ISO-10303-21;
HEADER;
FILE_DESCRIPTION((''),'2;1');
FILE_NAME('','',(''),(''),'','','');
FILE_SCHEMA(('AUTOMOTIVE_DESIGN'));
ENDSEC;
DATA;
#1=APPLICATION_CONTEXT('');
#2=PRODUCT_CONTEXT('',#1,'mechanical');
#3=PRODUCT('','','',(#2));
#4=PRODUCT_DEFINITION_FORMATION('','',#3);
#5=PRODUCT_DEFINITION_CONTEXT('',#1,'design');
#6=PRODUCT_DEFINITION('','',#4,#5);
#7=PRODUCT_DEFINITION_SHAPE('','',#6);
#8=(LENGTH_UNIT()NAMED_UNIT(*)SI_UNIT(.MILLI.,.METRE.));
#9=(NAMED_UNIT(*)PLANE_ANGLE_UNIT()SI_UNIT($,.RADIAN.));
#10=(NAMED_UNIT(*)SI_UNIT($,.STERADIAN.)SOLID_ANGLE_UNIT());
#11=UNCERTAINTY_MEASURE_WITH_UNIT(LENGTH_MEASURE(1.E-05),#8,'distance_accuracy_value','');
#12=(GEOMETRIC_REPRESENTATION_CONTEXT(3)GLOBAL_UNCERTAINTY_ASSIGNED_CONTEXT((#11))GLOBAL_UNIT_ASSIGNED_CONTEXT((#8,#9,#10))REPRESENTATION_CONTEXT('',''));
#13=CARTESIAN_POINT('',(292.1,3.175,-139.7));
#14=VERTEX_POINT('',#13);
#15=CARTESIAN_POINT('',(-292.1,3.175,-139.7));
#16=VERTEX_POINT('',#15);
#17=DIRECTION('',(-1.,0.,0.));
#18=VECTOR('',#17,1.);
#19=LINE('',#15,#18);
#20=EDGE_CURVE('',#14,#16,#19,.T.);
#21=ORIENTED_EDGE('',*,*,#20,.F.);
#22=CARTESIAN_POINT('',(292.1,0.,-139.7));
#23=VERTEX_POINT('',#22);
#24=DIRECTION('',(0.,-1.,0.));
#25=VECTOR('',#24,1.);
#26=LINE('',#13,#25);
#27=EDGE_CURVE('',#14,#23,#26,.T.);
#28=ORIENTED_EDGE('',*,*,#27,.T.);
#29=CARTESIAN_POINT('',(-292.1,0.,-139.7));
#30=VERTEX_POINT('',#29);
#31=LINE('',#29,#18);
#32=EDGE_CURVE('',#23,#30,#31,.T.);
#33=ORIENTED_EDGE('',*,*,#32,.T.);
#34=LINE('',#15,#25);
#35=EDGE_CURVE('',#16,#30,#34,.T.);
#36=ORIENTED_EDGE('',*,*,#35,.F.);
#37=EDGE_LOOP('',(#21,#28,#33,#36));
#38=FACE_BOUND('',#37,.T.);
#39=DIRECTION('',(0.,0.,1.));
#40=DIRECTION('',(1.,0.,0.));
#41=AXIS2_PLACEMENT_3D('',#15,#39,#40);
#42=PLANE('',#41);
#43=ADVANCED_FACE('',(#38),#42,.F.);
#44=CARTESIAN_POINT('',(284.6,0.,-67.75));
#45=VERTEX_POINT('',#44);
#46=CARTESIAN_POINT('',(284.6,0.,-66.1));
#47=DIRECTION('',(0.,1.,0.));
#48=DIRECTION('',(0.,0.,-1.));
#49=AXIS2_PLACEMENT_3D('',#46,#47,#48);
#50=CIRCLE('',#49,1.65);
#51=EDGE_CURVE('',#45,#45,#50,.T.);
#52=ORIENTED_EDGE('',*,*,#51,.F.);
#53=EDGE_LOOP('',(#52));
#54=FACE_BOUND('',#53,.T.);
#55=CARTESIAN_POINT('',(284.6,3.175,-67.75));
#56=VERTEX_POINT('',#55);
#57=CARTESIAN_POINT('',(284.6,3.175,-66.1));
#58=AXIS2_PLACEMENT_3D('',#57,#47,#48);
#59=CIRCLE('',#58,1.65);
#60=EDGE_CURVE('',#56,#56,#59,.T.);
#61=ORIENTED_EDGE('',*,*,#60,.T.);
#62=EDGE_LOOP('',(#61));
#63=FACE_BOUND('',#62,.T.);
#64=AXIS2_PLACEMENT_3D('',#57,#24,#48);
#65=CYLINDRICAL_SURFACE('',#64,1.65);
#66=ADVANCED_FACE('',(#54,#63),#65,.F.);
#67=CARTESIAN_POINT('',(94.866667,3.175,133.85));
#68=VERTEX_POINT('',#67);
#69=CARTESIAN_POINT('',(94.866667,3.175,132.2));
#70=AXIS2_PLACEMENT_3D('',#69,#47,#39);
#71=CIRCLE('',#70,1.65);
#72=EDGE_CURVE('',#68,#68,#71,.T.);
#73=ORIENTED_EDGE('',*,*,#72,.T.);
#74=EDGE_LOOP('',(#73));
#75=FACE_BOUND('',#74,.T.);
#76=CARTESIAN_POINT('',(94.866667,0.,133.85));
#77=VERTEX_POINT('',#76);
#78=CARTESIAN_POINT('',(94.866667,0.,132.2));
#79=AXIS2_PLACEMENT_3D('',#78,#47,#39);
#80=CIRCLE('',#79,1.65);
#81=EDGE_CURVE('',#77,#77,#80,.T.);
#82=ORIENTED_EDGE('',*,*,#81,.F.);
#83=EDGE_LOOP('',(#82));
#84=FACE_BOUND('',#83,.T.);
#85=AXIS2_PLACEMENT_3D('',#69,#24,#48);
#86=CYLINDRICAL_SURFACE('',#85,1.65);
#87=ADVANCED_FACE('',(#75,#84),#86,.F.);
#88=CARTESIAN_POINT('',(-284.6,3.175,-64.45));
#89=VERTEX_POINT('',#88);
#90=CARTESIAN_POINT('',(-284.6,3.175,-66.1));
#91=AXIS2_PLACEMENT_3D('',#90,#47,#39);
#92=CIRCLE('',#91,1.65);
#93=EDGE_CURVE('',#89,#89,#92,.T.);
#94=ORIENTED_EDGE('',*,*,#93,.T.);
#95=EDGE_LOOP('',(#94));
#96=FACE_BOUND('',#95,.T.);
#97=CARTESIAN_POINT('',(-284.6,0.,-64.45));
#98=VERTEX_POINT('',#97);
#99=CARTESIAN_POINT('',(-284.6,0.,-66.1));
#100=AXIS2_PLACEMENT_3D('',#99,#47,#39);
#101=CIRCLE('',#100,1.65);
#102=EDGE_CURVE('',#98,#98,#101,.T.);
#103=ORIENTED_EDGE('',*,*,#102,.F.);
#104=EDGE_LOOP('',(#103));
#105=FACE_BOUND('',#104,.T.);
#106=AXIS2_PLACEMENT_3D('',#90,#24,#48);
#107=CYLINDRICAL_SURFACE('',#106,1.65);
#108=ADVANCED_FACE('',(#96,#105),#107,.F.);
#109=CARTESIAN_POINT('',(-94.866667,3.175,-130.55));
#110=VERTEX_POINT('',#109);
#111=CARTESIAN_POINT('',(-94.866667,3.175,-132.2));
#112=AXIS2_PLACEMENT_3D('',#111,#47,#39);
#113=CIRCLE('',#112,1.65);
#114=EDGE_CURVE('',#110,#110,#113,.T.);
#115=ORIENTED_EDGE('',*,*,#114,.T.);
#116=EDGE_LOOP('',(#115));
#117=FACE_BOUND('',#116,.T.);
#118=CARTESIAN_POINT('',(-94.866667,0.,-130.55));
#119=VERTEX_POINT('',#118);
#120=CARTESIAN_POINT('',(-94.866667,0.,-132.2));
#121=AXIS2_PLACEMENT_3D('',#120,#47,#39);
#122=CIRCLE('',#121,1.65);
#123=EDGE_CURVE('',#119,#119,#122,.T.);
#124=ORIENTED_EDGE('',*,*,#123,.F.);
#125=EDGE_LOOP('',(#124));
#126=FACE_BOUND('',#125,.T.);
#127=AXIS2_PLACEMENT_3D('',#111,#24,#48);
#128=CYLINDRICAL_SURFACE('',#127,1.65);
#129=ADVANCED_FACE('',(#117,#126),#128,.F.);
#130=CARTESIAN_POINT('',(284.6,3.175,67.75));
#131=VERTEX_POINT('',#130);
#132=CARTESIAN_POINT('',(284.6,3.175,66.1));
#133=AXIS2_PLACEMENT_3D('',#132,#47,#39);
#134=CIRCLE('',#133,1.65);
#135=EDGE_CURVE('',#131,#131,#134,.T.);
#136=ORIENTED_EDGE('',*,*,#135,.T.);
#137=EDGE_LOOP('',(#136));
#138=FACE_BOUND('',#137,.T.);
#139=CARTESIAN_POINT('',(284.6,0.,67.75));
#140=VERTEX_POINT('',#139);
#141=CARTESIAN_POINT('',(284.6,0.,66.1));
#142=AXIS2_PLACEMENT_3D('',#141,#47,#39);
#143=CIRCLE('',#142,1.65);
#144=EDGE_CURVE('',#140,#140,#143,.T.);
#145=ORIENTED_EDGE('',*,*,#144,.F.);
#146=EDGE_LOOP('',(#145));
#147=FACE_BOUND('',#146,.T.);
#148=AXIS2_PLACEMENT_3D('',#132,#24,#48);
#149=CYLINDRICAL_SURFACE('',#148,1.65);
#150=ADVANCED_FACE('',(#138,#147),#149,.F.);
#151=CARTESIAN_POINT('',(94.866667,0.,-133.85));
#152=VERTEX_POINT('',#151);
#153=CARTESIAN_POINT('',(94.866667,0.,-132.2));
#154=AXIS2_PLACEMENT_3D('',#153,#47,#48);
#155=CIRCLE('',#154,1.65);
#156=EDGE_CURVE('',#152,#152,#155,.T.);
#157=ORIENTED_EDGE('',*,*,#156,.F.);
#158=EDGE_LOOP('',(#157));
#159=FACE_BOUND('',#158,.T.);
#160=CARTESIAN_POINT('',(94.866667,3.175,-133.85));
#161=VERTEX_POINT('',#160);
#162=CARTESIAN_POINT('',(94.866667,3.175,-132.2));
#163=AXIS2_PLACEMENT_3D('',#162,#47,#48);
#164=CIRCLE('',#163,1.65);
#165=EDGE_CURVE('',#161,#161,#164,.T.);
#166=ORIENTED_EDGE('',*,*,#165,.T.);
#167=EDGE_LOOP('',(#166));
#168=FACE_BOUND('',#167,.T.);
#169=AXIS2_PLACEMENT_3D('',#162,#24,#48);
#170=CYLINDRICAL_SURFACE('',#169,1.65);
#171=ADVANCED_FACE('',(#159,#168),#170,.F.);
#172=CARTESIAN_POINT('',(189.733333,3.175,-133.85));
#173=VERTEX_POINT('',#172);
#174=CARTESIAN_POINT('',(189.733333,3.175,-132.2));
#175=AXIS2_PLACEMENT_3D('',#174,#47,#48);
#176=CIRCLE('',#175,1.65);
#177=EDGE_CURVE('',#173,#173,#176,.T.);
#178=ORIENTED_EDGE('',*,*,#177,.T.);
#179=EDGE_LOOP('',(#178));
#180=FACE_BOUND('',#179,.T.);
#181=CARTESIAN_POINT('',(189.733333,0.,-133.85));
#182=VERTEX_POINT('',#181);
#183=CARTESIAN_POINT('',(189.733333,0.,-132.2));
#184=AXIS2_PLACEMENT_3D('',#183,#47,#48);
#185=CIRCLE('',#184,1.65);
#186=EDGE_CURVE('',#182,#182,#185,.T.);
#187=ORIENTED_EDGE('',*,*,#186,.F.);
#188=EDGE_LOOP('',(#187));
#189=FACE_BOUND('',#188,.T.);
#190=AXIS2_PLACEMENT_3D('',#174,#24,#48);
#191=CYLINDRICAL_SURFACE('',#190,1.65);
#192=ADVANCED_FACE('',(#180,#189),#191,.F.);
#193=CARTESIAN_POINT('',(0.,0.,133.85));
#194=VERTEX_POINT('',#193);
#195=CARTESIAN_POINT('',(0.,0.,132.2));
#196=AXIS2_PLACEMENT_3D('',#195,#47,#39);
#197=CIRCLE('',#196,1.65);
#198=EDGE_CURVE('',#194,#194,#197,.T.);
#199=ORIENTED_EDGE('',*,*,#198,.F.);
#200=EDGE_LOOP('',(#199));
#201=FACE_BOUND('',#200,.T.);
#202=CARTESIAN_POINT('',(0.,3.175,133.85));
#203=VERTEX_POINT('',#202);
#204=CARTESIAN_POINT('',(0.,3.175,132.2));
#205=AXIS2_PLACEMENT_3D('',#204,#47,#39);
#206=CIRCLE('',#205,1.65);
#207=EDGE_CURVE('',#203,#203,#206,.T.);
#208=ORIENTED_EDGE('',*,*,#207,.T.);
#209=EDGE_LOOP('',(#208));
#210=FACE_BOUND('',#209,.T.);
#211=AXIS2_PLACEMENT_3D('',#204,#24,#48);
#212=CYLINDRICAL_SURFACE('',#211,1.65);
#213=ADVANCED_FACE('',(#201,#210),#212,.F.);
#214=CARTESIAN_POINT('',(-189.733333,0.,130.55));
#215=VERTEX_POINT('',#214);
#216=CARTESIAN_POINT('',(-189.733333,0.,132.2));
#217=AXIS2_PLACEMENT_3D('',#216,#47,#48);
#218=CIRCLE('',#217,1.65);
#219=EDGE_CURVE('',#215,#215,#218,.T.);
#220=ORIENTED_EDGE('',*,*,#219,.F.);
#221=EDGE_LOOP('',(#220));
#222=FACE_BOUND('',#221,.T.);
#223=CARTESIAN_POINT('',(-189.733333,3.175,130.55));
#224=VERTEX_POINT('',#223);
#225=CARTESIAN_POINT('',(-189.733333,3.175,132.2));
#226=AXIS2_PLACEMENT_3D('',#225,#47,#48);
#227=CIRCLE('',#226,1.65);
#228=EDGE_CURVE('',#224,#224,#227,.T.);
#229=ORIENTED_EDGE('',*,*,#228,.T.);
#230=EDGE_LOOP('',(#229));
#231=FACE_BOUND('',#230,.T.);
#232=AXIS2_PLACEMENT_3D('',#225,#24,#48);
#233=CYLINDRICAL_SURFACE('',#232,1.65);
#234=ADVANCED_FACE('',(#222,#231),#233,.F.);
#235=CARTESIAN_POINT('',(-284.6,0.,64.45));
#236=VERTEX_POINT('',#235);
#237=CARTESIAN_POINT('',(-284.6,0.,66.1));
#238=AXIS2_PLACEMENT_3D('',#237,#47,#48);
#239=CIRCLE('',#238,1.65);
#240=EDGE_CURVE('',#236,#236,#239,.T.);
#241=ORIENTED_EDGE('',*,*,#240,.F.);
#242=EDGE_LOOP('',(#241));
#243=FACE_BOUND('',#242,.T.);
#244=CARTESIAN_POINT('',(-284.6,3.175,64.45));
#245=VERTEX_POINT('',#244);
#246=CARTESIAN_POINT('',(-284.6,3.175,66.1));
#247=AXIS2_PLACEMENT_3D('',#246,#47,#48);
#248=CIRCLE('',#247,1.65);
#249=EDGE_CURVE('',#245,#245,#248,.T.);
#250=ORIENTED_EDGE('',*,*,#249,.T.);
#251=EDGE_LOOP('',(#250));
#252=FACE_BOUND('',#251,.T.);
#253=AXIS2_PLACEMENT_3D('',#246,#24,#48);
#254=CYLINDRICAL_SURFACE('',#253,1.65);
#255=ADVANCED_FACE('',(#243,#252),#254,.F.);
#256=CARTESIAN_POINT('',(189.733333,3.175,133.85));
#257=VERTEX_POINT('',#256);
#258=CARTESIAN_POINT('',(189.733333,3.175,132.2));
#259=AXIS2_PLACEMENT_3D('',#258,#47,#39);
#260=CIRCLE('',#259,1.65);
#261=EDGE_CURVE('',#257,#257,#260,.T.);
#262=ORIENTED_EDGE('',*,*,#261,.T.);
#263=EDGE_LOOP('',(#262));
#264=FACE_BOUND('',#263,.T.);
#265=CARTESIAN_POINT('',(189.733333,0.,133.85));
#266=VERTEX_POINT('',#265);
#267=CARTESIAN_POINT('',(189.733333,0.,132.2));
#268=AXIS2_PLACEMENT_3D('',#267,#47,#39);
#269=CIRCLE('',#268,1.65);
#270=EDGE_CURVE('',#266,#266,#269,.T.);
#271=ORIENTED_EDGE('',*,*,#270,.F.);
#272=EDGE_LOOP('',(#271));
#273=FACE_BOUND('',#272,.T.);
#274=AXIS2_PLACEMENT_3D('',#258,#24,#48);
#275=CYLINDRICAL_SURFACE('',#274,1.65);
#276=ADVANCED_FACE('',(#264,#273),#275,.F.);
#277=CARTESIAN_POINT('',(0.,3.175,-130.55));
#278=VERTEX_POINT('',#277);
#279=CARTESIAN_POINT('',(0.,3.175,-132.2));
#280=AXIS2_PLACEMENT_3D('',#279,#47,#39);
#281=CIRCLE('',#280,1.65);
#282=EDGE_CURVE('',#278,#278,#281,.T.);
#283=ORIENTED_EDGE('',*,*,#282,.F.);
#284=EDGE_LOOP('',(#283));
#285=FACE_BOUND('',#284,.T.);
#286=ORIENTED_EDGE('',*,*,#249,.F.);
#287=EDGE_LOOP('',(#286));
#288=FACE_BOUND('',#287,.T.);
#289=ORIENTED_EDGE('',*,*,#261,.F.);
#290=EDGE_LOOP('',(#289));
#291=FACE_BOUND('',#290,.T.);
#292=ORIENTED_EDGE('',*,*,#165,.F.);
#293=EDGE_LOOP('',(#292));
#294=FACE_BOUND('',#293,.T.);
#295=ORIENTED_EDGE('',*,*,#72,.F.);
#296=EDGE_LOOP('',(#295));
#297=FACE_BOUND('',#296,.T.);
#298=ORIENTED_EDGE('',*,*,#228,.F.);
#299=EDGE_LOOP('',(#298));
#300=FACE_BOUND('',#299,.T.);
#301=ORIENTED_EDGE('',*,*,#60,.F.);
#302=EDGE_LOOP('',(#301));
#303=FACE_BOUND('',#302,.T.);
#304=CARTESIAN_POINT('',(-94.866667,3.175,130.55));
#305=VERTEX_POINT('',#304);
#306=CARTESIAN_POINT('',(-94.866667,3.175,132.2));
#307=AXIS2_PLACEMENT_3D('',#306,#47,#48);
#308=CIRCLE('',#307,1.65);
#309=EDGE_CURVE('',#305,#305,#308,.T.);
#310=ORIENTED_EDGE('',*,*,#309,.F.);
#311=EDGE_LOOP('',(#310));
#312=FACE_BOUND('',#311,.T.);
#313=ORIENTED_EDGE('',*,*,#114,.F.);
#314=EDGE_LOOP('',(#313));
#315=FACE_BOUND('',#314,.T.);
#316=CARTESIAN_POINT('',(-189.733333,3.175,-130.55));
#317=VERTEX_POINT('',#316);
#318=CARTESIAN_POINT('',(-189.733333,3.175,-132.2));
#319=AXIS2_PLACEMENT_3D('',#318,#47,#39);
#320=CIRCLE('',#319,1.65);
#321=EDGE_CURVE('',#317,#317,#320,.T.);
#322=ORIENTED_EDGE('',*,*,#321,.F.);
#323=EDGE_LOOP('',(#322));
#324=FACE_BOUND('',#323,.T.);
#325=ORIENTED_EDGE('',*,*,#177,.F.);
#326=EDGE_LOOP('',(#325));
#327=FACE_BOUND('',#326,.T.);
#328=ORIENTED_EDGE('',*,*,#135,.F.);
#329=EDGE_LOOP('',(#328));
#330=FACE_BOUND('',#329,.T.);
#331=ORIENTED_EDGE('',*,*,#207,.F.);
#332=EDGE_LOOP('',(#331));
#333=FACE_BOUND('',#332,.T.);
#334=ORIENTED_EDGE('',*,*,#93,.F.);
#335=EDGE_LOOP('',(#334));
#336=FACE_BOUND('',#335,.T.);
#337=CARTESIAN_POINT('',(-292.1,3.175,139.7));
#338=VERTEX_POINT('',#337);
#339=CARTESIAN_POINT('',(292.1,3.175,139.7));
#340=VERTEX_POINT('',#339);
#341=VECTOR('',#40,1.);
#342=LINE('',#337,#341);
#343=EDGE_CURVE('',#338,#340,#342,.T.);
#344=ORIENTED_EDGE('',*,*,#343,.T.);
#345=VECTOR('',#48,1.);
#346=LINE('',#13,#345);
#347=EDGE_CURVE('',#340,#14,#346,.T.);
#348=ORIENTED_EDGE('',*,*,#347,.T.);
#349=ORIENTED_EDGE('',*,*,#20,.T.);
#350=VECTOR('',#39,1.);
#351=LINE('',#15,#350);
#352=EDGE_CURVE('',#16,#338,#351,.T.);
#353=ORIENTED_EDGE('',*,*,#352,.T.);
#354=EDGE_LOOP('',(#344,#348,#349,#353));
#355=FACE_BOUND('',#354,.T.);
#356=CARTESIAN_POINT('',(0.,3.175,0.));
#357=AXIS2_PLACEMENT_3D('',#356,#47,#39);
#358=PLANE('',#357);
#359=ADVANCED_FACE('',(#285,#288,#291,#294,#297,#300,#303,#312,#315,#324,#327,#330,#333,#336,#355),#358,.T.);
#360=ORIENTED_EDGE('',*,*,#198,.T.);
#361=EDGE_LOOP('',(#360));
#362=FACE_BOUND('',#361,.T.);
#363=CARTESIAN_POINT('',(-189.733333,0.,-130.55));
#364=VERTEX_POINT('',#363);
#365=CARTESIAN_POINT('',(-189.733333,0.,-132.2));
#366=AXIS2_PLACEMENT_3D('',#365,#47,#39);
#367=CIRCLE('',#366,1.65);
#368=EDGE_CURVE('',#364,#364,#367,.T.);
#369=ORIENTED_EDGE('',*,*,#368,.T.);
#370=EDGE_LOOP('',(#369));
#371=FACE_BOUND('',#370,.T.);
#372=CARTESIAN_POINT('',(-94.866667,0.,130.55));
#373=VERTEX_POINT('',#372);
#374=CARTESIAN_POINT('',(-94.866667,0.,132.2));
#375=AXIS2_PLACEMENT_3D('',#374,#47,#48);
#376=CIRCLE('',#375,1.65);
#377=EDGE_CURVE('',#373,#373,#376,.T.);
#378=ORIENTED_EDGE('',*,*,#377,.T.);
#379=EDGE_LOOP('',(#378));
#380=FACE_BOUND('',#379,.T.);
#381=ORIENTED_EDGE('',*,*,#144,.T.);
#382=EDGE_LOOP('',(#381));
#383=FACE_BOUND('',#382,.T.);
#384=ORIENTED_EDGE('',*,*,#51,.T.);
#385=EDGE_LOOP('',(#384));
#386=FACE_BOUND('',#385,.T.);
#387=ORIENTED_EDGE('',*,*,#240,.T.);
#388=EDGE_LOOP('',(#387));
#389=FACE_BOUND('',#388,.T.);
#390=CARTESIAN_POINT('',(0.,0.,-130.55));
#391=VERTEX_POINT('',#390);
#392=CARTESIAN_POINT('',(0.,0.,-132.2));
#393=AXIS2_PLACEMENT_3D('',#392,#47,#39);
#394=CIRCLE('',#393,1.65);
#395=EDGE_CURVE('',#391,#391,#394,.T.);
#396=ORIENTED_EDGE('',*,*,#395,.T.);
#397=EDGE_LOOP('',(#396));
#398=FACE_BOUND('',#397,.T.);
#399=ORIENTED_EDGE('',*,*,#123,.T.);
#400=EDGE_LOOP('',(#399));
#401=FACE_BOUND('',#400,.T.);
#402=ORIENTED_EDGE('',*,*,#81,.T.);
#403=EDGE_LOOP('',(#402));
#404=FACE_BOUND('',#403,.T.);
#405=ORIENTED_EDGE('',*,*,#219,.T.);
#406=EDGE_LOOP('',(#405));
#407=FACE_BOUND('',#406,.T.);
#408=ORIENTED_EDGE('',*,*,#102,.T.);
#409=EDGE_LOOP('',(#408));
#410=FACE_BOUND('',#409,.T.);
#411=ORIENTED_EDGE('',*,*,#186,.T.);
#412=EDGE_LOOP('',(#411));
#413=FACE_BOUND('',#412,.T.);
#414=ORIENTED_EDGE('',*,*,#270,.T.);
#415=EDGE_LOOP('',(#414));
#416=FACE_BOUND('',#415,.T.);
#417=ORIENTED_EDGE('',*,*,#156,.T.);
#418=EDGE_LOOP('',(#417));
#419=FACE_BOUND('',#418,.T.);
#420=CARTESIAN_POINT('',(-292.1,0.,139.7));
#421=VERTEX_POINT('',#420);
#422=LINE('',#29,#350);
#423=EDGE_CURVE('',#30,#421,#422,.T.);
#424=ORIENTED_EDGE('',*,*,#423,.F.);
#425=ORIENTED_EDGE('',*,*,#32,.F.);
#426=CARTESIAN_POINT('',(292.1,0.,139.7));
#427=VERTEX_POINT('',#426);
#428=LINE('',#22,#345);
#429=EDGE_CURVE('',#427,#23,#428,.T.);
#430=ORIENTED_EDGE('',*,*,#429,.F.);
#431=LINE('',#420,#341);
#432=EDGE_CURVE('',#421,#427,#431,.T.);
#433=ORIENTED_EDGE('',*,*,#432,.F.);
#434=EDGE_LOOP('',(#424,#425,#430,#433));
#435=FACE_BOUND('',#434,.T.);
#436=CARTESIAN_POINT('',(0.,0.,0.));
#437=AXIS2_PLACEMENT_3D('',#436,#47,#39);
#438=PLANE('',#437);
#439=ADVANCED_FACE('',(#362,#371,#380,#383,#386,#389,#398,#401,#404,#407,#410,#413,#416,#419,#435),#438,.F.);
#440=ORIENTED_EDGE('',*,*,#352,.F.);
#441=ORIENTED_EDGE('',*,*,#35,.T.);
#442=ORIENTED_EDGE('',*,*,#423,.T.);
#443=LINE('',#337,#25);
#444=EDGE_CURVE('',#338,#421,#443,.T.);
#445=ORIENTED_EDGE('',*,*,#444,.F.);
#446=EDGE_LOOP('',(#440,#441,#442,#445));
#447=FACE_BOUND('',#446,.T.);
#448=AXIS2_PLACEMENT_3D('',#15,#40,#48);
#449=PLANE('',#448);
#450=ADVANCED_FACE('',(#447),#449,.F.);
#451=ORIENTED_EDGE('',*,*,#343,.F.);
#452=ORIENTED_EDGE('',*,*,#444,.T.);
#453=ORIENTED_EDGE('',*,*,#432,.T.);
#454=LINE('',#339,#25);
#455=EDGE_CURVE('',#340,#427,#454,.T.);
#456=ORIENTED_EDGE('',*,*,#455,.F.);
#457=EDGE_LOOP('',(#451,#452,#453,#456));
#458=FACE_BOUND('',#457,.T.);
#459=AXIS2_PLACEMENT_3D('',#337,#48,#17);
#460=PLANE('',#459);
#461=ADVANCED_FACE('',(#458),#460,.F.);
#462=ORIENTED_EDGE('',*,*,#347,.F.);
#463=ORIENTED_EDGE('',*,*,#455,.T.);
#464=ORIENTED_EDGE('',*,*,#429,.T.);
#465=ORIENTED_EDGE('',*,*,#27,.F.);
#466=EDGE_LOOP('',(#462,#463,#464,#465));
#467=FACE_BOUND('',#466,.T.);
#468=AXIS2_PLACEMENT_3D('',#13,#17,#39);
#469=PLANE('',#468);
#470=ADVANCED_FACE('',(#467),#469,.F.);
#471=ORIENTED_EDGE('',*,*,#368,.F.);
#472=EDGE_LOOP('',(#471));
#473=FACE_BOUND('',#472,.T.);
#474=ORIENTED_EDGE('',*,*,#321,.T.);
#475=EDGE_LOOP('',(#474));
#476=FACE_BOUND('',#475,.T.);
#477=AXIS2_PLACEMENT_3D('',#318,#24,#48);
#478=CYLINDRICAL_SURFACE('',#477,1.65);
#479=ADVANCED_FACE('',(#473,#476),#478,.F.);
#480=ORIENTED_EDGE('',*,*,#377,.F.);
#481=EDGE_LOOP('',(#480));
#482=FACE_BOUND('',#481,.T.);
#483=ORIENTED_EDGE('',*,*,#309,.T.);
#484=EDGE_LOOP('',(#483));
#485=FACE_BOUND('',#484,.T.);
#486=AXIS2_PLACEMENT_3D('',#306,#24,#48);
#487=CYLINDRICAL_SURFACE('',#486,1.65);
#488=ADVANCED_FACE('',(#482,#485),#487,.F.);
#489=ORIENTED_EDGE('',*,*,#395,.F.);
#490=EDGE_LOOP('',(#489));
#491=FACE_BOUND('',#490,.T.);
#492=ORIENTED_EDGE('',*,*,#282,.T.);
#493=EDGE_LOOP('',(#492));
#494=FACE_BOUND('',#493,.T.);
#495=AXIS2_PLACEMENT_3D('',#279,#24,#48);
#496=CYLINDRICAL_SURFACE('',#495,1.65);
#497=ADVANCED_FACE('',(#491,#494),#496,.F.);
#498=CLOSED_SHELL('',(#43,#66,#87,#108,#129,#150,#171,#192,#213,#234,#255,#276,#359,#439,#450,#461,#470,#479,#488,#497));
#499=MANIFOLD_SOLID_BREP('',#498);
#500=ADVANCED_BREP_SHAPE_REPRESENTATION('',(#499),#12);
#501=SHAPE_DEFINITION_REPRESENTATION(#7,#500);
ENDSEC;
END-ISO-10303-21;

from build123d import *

# Parameters (mm, degrees)
SKETCH1_W           = 584.2
SKETCH1_H           = 279.4
SKETCH1_R           = 1.65
BOSS_EXTRUDE1_DEPTH = 3.175


with BuildPart() as part:
    # Sketch1 → Boss-Extrude1 (new body)
    with BuildSketch(Plane(origin=(0, 0, 0), x_dir=(1, 0, 0), z_dir=(0, 1, 0))):
        Rectangle(SKETCH1_W, SKETCH1_H)
        with Locations(Location((-284.6, 66.1, 0), (0, 0, 270))):
            Circle(SKETCH1_R, mode=Mode.SUBTRACT)
        with Locations(Location((-189.733333333, 132.2, 0), (0, 0, 270))):
            Circle(SKETCH1_R, mode=Mode.SUBTRACT)
        with Locations(Location((-94.866666667, 132.2, 0), (0, 0, 270))):
            Circle(SKETCH1_R, mode=Mode.SUBTRACT)
        with Locations(Location((-284.6, -66.1, 0), (0, 0, 90))):
            Circle(SKETCH1_R, mode=Mode.SUBTRACT)
        with Locations(Location((-94.866666667, -132.2, 0), (0, 0, 90))):
            Circle(SKETCH1_R, mode=Mode.SUBTRACT)
        with Locations(Location((-189.733333333, -132.2, 0), (0, 0, 90))):
            Circle(SKETCH1_R, mode=Mode.SUBTRACT)
        with Locations(Location((189.733333333, -132.2, 0), (0, 0, 270))):
            Circle(SKETCH1_R, mode=Mode.SUBTRACT)
        with Locations(Location((94.866666667, -132.2, 0), (0, 0, 270))):
            Circle(SKETCH1_R, mode=Mode.SUBTRACT)
        with Locations(Location((94.866666667, 132.2, 0), (0, 0, 90))):
            Circle(SKETCH1_R, mode=Mode.SUBTRACT)
        with Locations(Location((189.733333333, 132.2, 0), (0, 0, 90))):
            Circle(SKETCH1_R, mode=Mode.SUBTRACT)
        with Locations(Location((284.6, -66.1, 0), (0, 0, 270))):
            Circle(SKETCH1_R, mode=Mode.SUBTRACT)
        with Locations(Location((284.6, 66.1, 0), (0, 0, 90))):
            Circle(SKETCH1_R, mode=Mode.SUBTRACT)
        with Locations(Location((0, 132.2, 0), (0, 0, 270))):
            Circle(SKETCH1_R, mode=Mode.SUBTRACT)
        with Locations(Location((0, -132.2, 0), (0, 0, 270))):
            Circle(SKETCH1_R, mode=Mode.SUBTRACT)
    extrude(amount=BOSS_EXTRUDE1_DEPTH)


solid = part.part
